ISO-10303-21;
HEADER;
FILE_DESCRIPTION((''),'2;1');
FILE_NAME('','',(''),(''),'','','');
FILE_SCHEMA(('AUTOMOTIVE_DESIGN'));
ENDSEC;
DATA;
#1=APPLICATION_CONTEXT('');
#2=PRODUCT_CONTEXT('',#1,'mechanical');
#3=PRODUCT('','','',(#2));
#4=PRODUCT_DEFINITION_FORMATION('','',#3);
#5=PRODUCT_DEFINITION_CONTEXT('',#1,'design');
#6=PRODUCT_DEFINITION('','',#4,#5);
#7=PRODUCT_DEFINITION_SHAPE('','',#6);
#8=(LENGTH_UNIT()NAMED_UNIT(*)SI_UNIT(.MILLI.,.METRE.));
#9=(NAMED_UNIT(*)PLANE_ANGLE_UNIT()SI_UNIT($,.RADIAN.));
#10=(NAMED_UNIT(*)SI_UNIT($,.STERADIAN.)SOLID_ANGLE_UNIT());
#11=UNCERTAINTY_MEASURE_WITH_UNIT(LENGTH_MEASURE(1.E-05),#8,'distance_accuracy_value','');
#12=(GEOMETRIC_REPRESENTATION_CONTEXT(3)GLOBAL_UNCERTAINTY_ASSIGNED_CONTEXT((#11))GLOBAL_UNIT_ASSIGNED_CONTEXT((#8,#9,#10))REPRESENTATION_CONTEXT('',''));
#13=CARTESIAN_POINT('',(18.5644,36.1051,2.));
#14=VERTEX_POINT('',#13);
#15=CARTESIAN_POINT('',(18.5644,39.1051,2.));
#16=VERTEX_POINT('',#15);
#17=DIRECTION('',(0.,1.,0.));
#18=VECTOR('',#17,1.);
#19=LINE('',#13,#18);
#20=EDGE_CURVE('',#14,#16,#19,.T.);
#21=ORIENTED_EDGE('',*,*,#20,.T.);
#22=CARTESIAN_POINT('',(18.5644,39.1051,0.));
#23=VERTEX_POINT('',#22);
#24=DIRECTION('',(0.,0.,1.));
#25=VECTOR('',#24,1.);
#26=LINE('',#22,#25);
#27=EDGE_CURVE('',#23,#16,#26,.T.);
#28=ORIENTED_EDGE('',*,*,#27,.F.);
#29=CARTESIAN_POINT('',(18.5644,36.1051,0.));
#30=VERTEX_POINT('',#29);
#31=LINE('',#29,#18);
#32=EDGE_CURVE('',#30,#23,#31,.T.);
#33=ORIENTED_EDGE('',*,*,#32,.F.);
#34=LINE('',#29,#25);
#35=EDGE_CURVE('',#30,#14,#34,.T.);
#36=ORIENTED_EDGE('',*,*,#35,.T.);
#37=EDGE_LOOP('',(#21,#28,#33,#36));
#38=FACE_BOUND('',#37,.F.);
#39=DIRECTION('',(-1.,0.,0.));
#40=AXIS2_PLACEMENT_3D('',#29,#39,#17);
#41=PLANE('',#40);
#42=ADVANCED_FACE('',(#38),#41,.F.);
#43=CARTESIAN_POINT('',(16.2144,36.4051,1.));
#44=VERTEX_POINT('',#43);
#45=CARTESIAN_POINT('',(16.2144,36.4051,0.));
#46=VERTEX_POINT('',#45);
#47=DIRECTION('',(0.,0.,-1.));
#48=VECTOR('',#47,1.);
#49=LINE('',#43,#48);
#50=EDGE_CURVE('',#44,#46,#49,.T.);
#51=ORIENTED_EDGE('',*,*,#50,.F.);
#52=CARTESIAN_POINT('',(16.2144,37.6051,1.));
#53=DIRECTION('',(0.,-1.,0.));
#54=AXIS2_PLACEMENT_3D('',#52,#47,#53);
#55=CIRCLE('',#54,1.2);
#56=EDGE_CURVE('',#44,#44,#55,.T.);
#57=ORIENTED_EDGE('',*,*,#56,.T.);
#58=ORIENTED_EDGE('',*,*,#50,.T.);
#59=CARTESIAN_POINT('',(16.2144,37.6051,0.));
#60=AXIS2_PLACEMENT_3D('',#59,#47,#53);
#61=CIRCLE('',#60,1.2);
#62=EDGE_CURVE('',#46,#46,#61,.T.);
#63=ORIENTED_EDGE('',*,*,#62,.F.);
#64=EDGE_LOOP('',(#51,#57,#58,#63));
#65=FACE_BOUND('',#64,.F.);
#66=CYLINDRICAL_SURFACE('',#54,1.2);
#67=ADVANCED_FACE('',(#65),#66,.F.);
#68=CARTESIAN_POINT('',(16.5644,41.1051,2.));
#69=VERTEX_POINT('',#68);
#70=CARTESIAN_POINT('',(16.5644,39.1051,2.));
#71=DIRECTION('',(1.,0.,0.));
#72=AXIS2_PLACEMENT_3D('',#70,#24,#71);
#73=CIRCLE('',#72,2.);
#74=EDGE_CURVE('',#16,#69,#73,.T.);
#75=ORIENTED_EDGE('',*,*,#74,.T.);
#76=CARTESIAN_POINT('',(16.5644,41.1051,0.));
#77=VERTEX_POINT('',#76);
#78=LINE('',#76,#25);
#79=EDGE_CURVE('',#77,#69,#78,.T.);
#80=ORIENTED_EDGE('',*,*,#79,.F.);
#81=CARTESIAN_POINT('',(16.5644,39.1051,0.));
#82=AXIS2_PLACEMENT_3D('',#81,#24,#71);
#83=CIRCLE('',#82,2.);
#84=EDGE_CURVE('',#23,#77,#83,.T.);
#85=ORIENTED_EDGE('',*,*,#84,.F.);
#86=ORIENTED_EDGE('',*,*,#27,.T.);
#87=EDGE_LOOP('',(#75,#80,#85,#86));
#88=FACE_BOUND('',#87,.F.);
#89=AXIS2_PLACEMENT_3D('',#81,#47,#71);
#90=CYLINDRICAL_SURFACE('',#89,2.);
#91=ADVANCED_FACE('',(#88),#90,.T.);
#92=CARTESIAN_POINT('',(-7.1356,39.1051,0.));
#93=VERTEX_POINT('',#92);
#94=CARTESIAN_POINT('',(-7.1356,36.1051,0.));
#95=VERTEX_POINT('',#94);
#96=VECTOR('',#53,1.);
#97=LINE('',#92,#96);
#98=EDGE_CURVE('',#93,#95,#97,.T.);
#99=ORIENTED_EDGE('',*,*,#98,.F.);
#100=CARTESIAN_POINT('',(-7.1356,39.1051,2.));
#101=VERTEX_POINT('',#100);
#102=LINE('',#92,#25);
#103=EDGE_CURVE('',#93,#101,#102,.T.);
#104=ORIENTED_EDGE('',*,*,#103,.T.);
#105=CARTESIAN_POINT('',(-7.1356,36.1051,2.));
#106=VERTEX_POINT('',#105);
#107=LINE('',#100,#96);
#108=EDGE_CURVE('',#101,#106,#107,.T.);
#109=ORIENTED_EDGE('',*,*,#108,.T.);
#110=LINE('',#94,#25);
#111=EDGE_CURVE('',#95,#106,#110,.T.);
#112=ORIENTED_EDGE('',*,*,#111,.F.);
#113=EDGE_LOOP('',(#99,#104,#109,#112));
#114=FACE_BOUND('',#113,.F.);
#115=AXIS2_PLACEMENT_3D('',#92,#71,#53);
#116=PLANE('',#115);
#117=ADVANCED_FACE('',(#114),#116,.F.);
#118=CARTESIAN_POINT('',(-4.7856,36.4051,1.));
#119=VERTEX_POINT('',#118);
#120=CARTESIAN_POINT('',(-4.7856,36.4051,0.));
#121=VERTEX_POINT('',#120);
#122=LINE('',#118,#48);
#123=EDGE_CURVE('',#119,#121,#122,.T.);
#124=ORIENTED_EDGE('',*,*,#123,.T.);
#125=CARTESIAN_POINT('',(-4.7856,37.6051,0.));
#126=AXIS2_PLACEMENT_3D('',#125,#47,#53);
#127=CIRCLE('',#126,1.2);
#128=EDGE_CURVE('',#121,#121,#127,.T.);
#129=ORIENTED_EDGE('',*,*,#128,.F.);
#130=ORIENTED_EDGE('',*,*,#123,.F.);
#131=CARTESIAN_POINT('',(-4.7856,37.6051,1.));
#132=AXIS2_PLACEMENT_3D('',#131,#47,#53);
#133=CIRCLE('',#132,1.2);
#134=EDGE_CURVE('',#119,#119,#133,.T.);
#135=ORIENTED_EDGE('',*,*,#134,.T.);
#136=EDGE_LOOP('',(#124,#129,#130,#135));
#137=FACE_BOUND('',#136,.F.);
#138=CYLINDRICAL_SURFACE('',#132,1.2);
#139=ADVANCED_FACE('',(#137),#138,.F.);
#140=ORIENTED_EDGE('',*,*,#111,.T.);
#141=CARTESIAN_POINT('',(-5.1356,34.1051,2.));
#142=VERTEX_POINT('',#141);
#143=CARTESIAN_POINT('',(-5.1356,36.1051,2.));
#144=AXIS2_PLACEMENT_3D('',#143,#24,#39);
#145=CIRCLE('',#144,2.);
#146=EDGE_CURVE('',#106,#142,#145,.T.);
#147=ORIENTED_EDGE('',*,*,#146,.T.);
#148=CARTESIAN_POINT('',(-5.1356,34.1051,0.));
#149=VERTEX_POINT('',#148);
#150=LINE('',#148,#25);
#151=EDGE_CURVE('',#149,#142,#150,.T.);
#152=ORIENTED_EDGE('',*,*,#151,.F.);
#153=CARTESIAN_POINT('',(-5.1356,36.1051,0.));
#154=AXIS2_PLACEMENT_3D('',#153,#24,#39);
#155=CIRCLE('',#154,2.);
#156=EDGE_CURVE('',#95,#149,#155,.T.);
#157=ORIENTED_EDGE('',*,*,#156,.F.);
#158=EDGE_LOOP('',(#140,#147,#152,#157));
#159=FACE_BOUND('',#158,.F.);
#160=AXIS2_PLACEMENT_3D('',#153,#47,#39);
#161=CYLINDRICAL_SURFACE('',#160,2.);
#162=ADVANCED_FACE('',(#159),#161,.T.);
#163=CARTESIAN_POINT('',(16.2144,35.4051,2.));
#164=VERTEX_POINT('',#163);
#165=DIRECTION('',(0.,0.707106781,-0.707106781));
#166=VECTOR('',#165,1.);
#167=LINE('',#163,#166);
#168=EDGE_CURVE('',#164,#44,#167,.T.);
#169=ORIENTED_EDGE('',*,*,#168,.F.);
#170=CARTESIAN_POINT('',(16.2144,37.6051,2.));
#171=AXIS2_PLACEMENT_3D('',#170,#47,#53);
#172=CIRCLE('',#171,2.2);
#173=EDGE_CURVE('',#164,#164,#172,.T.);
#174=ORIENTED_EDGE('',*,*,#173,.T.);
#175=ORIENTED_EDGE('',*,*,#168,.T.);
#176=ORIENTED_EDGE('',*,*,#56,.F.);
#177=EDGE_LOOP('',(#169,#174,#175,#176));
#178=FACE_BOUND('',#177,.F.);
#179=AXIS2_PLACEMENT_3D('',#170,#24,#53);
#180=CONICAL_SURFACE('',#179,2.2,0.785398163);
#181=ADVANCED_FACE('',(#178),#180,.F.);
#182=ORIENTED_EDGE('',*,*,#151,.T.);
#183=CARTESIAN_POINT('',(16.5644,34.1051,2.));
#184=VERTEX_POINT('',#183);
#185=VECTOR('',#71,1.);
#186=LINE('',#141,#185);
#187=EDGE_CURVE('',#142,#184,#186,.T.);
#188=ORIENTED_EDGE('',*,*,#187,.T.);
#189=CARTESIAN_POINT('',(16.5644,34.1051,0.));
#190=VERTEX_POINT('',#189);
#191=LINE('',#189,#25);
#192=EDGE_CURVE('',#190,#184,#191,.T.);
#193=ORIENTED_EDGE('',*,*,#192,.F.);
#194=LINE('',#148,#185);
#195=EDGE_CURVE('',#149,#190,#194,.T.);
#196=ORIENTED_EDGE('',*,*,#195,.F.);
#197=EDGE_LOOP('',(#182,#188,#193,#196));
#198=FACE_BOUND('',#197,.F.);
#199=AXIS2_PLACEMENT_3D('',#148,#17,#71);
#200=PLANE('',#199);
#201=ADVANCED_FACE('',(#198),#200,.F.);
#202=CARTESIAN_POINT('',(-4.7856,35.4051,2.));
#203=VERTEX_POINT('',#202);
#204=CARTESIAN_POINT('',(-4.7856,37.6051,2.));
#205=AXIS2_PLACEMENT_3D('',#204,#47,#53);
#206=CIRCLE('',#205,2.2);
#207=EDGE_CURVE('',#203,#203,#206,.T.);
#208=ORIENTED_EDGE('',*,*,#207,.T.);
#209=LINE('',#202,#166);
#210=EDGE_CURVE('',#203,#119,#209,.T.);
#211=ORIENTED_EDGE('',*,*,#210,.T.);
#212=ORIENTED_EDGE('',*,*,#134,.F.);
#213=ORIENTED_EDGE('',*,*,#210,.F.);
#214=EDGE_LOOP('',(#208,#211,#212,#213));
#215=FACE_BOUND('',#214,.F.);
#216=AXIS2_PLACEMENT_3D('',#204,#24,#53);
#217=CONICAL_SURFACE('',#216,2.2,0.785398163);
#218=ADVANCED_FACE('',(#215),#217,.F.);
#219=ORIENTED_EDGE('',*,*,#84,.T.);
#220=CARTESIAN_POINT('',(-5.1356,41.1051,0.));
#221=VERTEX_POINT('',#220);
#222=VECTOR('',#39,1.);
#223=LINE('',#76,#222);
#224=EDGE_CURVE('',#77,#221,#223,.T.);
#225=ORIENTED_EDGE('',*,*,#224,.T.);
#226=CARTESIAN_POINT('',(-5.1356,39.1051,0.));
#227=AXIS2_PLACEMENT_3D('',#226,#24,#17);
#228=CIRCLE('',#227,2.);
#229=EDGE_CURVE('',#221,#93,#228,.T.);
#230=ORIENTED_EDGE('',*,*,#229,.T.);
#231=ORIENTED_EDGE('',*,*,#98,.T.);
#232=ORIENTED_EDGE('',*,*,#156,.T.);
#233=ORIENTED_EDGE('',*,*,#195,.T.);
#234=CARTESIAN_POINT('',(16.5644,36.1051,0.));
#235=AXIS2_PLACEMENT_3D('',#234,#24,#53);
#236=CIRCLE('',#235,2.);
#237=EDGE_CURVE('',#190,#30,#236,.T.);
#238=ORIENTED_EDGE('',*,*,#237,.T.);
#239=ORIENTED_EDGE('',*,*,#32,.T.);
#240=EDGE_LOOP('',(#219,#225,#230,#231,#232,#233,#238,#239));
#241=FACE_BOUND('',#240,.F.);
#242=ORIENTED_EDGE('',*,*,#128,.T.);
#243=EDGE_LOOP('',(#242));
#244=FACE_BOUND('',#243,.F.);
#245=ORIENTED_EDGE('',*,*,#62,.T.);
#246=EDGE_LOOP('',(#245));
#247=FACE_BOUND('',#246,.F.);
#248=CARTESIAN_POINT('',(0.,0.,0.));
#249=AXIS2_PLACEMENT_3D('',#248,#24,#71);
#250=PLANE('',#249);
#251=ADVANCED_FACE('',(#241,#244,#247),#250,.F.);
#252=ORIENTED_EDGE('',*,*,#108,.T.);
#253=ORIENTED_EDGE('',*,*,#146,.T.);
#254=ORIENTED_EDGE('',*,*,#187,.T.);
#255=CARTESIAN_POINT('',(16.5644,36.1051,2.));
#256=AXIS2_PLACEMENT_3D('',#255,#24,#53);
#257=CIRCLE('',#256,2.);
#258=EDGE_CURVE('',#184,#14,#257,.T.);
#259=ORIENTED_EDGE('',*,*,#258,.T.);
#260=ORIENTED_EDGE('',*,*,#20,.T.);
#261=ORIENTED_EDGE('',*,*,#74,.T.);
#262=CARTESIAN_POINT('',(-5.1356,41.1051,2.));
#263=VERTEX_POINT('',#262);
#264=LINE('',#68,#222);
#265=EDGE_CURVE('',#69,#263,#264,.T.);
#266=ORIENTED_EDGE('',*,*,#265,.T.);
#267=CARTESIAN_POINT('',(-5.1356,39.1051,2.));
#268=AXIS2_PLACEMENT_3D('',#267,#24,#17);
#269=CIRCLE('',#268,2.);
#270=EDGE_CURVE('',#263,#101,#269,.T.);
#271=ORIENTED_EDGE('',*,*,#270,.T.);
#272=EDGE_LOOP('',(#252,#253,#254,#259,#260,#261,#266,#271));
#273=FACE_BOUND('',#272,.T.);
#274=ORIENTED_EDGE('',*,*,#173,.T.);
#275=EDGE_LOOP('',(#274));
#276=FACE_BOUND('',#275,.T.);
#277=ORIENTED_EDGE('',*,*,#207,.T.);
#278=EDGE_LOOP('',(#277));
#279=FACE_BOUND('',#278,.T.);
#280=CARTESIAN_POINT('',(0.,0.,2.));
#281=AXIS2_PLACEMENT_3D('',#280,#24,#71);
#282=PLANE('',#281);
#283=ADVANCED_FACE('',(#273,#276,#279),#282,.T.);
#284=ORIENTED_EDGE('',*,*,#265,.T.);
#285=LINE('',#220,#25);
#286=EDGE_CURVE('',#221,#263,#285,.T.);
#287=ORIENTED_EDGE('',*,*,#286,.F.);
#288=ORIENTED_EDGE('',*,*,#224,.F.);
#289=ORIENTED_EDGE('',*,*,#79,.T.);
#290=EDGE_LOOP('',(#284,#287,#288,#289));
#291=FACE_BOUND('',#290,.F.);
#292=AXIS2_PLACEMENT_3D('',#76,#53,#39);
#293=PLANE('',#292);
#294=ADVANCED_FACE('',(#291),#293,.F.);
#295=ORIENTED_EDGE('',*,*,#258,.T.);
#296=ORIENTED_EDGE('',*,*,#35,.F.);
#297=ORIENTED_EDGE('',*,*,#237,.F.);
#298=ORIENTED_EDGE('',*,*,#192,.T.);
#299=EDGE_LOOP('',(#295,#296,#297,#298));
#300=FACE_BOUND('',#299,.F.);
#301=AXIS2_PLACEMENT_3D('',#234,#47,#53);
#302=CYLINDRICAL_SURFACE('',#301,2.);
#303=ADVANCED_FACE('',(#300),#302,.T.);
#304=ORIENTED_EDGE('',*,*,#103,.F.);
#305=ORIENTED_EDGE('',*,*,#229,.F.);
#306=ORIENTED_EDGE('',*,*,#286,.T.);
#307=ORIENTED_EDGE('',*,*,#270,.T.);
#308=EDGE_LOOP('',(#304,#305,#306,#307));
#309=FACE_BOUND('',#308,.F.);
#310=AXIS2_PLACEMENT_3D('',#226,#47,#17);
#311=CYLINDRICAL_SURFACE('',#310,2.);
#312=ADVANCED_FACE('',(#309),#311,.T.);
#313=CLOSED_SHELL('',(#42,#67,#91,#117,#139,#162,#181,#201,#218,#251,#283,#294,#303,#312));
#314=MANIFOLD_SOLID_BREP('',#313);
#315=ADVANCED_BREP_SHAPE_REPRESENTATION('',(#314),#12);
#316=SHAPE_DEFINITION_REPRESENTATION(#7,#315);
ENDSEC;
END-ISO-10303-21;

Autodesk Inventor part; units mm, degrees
ref_plane "YZ Plane" through (0, 0, 0) normal (1, 0, 0) x (0, 1, 0)
ref_plane "XZ Plane" through (0, 0, 0) normal (0, 1, 0) x (-1, 0, 0)
ref_plane "РабПлоскость1" through (0, 0, 0) normal (0, 0, 1) x (1, 0, 0)
sketch "Эскиз1" plane through (0, 0, 0) normal (0, 0, 1) x (1, 0, 0)
  circle A0 centre (16.2144, 37.6051) radius 1.45 construction
  arc A1 (18.5644, 39.1051) -> (16.5644, 41.1051) centre (16.5644, 39.1051) ccw projected
  line L0 (16.5644, 41.1051) -> (-5.1356, 41.1051) projected
  arc A2 (-5.1356, 41.1051) -> (-7.1356, 39.1051) centre (-5.1356, 39.1051) ccw projected
  line L1 (-7.1356, 39.1051) -> (-7.1356, 36.1051) projected
  arc A3 (-7.1356, 36.1051) -> (-5.1356, 34.1051) centre (-5.1356, 36.1051) ccw projected
  line L2 (-5.1356, 34.1051) -> (16.5644, 34.1051) projected
  arc A4 (16.5644, 34.1051) -> (18.5644, 36.1051) centre (16.5644, 36.1051) ccw projected
  line L3 (18.5644, 36.1051) -> (18.5644, 39.1051) projected
  circle A5 centre (-4.7856, 37.6051) radius 1.45 construction
  point P0 (0, 0)
extrude "Выдавливание1" add sketch "Эскиз1" along normal blind 2
sketch "Эскиз2" plane through (0, 0, 2) normal (0, 0, 1) x (1, 0, 0)
  circle A0 centre (-4.7856, 37.6051) radius 1.25 projected
  circle A1 centre (16.2144, 37.6051) radius 1.25 projected
  point P0 (0, 0)
hole "Отверстие1" at (16.2144, 37.6051, 2) at (-4.7856, 37.6051, 2) direction (0, 0, -1) diameter 2.4 depth 4 countersink diameter 4.4 countersink angle 90 clearance for "с потайной головкой ГОСТ 12876-67" size "M2" standard "ГОСТ"
properties part number "Пластина"
